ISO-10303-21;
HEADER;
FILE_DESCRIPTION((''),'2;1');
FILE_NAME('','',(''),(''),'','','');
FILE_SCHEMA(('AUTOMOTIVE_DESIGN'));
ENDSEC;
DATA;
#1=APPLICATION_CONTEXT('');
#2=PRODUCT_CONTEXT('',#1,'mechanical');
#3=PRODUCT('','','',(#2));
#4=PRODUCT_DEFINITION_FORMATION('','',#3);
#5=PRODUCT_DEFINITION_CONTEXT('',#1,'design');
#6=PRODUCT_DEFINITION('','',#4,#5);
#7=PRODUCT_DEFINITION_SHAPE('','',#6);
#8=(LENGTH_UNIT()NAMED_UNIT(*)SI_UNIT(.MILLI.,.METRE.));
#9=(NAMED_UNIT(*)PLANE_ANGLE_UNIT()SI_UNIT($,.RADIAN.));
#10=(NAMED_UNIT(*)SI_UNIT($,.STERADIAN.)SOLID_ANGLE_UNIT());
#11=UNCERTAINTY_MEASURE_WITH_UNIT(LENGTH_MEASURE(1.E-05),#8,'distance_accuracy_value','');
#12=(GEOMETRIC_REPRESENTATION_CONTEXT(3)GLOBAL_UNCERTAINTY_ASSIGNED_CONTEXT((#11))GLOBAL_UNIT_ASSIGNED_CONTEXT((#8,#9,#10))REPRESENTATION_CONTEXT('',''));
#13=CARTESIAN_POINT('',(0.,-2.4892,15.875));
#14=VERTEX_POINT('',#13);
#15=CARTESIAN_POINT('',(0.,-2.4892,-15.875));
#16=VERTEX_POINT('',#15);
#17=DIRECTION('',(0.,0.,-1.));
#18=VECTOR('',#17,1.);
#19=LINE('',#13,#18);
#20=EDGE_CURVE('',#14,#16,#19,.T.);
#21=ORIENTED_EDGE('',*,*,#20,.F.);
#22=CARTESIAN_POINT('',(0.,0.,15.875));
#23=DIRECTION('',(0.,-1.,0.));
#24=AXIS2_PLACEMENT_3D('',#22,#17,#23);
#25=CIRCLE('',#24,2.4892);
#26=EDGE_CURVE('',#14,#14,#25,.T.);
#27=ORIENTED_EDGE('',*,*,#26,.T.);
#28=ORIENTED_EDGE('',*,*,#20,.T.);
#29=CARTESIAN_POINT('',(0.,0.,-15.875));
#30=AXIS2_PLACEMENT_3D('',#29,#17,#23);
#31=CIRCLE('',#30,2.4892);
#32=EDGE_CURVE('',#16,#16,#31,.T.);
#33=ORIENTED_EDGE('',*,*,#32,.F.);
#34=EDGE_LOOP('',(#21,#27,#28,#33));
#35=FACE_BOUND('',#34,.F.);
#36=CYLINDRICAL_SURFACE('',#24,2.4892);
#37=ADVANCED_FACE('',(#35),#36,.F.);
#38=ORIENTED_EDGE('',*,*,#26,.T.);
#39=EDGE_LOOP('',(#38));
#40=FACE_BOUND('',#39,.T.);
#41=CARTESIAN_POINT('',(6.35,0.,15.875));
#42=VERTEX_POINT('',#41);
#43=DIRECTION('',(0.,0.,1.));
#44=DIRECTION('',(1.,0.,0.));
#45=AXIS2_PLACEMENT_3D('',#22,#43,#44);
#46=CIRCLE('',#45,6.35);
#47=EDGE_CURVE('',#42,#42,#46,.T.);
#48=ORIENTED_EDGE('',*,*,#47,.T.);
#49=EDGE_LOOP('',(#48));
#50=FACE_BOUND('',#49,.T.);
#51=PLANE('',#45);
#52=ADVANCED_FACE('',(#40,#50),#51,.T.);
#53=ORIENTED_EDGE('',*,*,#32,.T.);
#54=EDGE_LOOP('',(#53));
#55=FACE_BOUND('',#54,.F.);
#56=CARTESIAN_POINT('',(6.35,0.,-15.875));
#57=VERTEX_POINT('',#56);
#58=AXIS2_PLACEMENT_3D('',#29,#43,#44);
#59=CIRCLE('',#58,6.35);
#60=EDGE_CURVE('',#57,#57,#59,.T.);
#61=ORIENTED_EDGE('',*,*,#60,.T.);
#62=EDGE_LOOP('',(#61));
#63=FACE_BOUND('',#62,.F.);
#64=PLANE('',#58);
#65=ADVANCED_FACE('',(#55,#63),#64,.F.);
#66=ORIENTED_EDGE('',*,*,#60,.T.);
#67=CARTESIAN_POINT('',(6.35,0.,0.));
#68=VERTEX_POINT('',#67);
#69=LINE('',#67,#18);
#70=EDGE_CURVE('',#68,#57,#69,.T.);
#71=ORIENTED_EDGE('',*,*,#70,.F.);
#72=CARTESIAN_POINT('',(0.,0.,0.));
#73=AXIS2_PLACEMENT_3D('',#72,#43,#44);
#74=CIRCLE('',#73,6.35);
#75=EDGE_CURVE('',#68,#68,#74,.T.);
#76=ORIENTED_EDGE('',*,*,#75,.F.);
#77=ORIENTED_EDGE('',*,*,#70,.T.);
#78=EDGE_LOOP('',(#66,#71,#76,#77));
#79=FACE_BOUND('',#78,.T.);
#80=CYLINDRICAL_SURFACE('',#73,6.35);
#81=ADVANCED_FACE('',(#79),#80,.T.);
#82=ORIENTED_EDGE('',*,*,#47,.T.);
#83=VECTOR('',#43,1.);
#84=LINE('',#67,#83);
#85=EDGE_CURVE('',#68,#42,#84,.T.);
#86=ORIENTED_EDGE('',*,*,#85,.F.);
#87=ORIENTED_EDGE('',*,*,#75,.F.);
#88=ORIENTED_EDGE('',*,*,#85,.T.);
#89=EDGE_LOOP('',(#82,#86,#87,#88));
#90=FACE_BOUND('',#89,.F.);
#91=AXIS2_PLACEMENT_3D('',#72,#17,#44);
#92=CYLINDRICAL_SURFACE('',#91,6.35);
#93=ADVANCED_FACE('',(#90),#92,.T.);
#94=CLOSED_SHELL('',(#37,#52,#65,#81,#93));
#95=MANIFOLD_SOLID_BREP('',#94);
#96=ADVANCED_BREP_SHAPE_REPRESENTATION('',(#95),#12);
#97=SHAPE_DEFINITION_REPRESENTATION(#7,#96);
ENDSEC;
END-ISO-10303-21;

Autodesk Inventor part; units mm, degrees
ref_plane "YZ Plane" through (0, 0, 0) normal (1, 0, 0) x (0, 1, 0)
ref_plane "XZ Plane" through (0, 0, 0) normal (0, 1, 0) x (-1, 0, 0)
ref_plane "XY Plane" through (0, 0, 0) normal (0, 0, 1) x (1, 0, 0)
sketch "Sketch1" plane through (0, 0, 0) normal (0, 0, 1) x (1, 0, 0)
  circle A0 centre (0, 0) radius 6.35
  dimension "d0" = 12.7
extrude "Extrusion1" add sketch "Sketch1" along normal mid plane 31.75
sketch "Sketch2" plane through (0, 0, 15.875) normal (0, 0, 1) x (1, 0, 0)
  point P0 (0, 0)
  point P1 (0, 0)
hole "Hole1" at (0, 0, 15.875) direction (0, 0, -1) diameter 4.9784 end through all thread size "1/4-20 UNC" class "2B" standard "ANSI Unified Screw Threads"
properties part number "CL4-23" material "Aluminum 6061"
